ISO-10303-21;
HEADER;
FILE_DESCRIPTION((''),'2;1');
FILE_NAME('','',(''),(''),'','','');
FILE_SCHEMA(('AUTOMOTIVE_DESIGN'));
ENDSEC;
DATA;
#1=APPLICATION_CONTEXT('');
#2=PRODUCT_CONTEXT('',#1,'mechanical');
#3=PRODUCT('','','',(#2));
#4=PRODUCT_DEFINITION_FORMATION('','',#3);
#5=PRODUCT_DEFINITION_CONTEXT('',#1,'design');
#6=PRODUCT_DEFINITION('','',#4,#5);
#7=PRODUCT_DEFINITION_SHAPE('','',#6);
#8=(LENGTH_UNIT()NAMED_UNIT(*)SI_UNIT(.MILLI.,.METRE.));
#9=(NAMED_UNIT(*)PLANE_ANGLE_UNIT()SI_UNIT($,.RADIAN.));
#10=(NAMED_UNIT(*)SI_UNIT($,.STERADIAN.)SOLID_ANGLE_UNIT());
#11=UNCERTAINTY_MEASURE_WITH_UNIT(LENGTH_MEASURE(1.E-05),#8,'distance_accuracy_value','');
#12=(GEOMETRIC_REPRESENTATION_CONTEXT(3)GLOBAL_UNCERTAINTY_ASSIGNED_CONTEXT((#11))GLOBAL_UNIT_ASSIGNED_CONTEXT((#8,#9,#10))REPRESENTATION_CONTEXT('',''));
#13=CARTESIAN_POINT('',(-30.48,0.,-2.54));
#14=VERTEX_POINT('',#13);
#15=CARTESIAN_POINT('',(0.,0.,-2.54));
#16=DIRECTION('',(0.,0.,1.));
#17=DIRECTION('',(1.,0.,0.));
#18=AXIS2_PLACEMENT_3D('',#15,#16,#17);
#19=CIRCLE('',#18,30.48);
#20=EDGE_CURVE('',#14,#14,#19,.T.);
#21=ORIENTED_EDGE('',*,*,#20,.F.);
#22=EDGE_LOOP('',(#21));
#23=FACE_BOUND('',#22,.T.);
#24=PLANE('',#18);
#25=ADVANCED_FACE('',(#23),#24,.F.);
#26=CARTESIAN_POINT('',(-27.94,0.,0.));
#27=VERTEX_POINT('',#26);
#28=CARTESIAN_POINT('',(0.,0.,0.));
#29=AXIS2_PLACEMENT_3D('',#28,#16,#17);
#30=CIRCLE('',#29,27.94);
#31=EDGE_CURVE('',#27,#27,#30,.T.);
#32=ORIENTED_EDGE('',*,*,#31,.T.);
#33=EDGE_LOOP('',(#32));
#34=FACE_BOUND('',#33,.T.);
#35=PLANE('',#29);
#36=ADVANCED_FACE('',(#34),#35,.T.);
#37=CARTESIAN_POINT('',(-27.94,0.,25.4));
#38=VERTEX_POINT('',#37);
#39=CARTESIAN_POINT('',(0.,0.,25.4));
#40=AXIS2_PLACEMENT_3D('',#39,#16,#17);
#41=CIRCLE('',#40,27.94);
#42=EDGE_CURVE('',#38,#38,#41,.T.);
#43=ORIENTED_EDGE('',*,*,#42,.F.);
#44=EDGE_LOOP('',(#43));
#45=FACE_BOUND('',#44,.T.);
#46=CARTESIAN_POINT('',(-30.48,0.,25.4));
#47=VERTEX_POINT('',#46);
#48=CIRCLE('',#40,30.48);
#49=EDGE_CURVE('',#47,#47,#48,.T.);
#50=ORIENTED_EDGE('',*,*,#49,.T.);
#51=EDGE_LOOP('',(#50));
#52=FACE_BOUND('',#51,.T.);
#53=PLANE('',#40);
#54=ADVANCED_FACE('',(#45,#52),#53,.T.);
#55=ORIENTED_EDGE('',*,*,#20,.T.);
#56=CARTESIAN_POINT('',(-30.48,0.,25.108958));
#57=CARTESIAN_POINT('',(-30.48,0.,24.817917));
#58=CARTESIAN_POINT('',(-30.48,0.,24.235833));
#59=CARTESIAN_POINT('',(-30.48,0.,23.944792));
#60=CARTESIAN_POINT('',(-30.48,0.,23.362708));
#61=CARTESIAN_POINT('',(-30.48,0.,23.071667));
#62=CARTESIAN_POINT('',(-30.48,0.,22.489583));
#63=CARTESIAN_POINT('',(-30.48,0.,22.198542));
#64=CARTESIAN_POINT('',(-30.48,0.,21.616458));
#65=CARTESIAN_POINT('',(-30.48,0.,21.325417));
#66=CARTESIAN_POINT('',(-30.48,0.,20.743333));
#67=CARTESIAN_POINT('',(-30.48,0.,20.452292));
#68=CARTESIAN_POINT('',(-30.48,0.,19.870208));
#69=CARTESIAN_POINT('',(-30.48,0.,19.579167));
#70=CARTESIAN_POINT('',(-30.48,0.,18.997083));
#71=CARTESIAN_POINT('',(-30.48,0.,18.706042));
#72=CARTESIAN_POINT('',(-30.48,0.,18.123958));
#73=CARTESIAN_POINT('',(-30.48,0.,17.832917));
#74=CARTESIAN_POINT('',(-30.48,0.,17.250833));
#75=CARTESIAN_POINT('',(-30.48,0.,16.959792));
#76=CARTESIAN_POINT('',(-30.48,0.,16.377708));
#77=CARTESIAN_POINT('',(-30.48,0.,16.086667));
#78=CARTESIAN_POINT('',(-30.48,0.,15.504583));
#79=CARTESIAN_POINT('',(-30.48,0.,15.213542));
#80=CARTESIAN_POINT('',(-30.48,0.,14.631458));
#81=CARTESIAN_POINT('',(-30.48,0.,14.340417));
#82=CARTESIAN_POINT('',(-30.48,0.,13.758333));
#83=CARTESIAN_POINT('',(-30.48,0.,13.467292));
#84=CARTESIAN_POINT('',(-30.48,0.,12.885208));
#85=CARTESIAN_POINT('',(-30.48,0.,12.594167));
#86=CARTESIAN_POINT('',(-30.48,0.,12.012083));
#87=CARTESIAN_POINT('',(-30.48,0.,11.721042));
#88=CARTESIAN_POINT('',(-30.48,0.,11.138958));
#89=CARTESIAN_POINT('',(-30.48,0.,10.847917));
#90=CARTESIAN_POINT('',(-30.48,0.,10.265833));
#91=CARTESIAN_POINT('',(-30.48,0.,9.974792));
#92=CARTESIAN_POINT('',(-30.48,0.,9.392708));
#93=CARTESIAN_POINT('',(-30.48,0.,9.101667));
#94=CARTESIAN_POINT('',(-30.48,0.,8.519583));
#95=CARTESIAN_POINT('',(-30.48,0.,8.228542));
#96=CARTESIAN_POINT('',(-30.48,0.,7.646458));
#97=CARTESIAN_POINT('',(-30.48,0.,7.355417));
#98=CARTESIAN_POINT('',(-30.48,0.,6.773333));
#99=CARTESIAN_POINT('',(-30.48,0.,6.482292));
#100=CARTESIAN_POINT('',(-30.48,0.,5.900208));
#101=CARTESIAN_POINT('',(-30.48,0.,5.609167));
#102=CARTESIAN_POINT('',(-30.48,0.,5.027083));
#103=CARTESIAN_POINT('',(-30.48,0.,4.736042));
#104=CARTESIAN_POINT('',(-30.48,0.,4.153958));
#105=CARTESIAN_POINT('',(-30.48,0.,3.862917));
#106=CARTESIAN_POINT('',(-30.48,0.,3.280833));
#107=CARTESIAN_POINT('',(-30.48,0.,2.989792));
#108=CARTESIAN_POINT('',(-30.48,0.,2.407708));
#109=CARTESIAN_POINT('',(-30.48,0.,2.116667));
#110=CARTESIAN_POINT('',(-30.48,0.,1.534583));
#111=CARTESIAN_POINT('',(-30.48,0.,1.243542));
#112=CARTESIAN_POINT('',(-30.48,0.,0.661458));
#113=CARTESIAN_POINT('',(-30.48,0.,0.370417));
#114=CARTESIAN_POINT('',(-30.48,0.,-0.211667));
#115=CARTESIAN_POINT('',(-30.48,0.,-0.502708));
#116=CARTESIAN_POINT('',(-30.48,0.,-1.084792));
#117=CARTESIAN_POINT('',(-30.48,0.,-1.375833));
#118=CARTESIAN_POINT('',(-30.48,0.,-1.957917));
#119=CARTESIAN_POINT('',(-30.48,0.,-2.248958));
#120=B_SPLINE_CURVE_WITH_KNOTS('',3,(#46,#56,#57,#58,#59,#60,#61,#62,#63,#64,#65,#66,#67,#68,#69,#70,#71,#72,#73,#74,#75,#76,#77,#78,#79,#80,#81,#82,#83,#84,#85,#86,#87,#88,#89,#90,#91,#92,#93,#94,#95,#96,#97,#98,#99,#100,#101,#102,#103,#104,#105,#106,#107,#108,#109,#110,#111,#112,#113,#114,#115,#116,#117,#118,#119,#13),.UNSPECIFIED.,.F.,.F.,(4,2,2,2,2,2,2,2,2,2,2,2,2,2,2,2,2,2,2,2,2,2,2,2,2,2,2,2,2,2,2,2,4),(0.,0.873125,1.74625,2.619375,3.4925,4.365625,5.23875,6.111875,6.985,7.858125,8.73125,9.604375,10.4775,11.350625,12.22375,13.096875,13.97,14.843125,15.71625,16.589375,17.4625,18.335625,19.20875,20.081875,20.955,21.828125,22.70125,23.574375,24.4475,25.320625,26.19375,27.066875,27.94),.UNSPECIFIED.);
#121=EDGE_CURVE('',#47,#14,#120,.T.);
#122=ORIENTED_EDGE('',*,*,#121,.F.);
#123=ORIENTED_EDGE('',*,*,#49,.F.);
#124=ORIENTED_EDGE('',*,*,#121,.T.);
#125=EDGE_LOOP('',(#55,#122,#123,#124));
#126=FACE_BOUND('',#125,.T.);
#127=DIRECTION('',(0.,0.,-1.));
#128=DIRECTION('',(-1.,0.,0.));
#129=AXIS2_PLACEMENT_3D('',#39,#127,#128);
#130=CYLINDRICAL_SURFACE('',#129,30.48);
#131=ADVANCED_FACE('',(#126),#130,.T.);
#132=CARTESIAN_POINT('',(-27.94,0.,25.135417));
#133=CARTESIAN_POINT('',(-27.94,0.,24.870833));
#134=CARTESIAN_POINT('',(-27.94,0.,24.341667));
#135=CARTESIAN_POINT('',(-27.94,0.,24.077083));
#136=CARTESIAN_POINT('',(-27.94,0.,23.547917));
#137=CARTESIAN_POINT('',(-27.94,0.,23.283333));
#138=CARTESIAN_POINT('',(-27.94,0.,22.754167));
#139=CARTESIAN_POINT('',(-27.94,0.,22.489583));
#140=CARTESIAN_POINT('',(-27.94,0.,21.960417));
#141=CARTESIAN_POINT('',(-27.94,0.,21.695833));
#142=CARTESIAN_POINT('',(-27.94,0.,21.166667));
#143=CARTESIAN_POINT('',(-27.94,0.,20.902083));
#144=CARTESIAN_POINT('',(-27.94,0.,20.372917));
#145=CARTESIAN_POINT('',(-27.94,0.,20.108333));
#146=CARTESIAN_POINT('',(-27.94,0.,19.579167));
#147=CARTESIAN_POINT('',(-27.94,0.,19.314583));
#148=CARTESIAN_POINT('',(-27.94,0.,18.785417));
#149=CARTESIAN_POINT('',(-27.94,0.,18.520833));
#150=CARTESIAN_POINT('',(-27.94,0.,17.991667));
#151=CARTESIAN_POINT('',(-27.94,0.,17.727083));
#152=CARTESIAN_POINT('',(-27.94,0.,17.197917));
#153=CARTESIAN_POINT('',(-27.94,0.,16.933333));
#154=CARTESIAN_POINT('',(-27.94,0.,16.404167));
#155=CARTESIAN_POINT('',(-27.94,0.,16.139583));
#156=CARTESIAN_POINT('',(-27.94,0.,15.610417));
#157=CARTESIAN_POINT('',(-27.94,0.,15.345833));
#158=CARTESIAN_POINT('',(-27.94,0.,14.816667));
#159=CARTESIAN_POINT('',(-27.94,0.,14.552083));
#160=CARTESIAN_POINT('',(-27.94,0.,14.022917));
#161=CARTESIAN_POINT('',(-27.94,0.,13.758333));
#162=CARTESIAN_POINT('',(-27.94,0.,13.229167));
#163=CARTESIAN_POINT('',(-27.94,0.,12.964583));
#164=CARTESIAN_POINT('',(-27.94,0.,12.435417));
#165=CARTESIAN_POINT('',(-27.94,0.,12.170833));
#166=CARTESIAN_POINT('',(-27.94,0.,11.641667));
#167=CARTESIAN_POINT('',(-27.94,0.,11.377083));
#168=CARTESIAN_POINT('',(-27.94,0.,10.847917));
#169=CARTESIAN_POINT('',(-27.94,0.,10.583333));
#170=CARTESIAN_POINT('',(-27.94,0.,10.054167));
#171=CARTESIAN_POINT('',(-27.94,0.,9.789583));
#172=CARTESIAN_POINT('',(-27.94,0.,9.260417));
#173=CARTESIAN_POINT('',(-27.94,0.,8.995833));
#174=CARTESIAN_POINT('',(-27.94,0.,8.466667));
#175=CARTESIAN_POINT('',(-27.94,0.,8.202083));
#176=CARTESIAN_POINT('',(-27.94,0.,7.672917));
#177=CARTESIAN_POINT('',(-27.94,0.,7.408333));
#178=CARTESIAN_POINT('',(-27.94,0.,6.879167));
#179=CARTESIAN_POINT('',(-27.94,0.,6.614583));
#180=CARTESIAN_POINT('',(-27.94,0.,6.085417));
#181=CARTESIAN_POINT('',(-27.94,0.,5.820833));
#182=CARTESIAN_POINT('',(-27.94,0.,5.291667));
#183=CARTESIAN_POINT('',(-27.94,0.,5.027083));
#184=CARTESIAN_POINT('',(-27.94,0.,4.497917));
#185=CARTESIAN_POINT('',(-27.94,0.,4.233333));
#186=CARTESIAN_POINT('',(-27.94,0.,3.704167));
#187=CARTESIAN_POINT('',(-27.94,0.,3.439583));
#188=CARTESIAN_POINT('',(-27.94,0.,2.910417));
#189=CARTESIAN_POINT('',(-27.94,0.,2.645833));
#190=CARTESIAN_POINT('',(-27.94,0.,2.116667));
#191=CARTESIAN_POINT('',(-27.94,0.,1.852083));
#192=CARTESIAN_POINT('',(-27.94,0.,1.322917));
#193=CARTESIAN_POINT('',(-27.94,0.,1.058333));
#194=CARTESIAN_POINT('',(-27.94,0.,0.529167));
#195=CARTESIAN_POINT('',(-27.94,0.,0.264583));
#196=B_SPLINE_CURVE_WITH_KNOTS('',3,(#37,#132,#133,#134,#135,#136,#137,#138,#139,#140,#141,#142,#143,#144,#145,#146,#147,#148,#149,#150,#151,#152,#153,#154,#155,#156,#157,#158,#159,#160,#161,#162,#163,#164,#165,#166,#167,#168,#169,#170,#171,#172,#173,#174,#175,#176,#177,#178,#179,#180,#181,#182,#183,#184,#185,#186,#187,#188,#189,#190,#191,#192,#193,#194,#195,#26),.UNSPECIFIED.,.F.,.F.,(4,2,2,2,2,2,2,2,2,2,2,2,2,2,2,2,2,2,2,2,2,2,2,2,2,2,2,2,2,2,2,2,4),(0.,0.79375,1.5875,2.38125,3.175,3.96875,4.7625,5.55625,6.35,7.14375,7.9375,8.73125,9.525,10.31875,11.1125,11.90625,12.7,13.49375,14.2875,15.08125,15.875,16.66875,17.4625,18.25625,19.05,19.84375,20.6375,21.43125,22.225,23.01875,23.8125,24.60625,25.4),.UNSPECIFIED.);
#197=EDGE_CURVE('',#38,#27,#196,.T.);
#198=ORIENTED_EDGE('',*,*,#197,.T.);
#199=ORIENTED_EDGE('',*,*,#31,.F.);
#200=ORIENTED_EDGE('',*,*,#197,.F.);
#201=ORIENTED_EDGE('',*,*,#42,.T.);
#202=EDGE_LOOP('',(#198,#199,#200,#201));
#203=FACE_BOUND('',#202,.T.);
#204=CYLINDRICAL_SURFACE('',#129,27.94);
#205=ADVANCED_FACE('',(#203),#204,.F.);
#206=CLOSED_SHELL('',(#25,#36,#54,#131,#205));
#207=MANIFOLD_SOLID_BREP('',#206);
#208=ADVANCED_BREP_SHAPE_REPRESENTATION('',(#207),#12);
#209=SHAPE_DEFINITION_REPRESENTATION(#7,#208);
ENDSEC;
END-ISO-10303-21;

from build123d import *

# Parameters (mm, degrees)
SKETCH1_R           = 27.94
BOSS_EXTRUDE1_DEPTH = 25.4
SHELL1_T            = 2.54


with BuildPart() as part:
    # Sketch1 → Boss-Extrude1 (new body)
    with BuildSketch(Plane.XY):
        with Locations(Location((0, 0, 0), (0, 0, 180))):
            Circle(SKETCH1_R)
    extrude(amount=BOSS_EXTRUDE1_DEPTH)

    # Shell1
    shell1_openings = [part.faces().sort_by_distance(p)[0] for p in [
        (0, 0, 25.4),
    ]]
    offset(amount=SHELL1_T, openings=shell1_openings, kind=Kind.INTERSECTION)


solid = part.part
